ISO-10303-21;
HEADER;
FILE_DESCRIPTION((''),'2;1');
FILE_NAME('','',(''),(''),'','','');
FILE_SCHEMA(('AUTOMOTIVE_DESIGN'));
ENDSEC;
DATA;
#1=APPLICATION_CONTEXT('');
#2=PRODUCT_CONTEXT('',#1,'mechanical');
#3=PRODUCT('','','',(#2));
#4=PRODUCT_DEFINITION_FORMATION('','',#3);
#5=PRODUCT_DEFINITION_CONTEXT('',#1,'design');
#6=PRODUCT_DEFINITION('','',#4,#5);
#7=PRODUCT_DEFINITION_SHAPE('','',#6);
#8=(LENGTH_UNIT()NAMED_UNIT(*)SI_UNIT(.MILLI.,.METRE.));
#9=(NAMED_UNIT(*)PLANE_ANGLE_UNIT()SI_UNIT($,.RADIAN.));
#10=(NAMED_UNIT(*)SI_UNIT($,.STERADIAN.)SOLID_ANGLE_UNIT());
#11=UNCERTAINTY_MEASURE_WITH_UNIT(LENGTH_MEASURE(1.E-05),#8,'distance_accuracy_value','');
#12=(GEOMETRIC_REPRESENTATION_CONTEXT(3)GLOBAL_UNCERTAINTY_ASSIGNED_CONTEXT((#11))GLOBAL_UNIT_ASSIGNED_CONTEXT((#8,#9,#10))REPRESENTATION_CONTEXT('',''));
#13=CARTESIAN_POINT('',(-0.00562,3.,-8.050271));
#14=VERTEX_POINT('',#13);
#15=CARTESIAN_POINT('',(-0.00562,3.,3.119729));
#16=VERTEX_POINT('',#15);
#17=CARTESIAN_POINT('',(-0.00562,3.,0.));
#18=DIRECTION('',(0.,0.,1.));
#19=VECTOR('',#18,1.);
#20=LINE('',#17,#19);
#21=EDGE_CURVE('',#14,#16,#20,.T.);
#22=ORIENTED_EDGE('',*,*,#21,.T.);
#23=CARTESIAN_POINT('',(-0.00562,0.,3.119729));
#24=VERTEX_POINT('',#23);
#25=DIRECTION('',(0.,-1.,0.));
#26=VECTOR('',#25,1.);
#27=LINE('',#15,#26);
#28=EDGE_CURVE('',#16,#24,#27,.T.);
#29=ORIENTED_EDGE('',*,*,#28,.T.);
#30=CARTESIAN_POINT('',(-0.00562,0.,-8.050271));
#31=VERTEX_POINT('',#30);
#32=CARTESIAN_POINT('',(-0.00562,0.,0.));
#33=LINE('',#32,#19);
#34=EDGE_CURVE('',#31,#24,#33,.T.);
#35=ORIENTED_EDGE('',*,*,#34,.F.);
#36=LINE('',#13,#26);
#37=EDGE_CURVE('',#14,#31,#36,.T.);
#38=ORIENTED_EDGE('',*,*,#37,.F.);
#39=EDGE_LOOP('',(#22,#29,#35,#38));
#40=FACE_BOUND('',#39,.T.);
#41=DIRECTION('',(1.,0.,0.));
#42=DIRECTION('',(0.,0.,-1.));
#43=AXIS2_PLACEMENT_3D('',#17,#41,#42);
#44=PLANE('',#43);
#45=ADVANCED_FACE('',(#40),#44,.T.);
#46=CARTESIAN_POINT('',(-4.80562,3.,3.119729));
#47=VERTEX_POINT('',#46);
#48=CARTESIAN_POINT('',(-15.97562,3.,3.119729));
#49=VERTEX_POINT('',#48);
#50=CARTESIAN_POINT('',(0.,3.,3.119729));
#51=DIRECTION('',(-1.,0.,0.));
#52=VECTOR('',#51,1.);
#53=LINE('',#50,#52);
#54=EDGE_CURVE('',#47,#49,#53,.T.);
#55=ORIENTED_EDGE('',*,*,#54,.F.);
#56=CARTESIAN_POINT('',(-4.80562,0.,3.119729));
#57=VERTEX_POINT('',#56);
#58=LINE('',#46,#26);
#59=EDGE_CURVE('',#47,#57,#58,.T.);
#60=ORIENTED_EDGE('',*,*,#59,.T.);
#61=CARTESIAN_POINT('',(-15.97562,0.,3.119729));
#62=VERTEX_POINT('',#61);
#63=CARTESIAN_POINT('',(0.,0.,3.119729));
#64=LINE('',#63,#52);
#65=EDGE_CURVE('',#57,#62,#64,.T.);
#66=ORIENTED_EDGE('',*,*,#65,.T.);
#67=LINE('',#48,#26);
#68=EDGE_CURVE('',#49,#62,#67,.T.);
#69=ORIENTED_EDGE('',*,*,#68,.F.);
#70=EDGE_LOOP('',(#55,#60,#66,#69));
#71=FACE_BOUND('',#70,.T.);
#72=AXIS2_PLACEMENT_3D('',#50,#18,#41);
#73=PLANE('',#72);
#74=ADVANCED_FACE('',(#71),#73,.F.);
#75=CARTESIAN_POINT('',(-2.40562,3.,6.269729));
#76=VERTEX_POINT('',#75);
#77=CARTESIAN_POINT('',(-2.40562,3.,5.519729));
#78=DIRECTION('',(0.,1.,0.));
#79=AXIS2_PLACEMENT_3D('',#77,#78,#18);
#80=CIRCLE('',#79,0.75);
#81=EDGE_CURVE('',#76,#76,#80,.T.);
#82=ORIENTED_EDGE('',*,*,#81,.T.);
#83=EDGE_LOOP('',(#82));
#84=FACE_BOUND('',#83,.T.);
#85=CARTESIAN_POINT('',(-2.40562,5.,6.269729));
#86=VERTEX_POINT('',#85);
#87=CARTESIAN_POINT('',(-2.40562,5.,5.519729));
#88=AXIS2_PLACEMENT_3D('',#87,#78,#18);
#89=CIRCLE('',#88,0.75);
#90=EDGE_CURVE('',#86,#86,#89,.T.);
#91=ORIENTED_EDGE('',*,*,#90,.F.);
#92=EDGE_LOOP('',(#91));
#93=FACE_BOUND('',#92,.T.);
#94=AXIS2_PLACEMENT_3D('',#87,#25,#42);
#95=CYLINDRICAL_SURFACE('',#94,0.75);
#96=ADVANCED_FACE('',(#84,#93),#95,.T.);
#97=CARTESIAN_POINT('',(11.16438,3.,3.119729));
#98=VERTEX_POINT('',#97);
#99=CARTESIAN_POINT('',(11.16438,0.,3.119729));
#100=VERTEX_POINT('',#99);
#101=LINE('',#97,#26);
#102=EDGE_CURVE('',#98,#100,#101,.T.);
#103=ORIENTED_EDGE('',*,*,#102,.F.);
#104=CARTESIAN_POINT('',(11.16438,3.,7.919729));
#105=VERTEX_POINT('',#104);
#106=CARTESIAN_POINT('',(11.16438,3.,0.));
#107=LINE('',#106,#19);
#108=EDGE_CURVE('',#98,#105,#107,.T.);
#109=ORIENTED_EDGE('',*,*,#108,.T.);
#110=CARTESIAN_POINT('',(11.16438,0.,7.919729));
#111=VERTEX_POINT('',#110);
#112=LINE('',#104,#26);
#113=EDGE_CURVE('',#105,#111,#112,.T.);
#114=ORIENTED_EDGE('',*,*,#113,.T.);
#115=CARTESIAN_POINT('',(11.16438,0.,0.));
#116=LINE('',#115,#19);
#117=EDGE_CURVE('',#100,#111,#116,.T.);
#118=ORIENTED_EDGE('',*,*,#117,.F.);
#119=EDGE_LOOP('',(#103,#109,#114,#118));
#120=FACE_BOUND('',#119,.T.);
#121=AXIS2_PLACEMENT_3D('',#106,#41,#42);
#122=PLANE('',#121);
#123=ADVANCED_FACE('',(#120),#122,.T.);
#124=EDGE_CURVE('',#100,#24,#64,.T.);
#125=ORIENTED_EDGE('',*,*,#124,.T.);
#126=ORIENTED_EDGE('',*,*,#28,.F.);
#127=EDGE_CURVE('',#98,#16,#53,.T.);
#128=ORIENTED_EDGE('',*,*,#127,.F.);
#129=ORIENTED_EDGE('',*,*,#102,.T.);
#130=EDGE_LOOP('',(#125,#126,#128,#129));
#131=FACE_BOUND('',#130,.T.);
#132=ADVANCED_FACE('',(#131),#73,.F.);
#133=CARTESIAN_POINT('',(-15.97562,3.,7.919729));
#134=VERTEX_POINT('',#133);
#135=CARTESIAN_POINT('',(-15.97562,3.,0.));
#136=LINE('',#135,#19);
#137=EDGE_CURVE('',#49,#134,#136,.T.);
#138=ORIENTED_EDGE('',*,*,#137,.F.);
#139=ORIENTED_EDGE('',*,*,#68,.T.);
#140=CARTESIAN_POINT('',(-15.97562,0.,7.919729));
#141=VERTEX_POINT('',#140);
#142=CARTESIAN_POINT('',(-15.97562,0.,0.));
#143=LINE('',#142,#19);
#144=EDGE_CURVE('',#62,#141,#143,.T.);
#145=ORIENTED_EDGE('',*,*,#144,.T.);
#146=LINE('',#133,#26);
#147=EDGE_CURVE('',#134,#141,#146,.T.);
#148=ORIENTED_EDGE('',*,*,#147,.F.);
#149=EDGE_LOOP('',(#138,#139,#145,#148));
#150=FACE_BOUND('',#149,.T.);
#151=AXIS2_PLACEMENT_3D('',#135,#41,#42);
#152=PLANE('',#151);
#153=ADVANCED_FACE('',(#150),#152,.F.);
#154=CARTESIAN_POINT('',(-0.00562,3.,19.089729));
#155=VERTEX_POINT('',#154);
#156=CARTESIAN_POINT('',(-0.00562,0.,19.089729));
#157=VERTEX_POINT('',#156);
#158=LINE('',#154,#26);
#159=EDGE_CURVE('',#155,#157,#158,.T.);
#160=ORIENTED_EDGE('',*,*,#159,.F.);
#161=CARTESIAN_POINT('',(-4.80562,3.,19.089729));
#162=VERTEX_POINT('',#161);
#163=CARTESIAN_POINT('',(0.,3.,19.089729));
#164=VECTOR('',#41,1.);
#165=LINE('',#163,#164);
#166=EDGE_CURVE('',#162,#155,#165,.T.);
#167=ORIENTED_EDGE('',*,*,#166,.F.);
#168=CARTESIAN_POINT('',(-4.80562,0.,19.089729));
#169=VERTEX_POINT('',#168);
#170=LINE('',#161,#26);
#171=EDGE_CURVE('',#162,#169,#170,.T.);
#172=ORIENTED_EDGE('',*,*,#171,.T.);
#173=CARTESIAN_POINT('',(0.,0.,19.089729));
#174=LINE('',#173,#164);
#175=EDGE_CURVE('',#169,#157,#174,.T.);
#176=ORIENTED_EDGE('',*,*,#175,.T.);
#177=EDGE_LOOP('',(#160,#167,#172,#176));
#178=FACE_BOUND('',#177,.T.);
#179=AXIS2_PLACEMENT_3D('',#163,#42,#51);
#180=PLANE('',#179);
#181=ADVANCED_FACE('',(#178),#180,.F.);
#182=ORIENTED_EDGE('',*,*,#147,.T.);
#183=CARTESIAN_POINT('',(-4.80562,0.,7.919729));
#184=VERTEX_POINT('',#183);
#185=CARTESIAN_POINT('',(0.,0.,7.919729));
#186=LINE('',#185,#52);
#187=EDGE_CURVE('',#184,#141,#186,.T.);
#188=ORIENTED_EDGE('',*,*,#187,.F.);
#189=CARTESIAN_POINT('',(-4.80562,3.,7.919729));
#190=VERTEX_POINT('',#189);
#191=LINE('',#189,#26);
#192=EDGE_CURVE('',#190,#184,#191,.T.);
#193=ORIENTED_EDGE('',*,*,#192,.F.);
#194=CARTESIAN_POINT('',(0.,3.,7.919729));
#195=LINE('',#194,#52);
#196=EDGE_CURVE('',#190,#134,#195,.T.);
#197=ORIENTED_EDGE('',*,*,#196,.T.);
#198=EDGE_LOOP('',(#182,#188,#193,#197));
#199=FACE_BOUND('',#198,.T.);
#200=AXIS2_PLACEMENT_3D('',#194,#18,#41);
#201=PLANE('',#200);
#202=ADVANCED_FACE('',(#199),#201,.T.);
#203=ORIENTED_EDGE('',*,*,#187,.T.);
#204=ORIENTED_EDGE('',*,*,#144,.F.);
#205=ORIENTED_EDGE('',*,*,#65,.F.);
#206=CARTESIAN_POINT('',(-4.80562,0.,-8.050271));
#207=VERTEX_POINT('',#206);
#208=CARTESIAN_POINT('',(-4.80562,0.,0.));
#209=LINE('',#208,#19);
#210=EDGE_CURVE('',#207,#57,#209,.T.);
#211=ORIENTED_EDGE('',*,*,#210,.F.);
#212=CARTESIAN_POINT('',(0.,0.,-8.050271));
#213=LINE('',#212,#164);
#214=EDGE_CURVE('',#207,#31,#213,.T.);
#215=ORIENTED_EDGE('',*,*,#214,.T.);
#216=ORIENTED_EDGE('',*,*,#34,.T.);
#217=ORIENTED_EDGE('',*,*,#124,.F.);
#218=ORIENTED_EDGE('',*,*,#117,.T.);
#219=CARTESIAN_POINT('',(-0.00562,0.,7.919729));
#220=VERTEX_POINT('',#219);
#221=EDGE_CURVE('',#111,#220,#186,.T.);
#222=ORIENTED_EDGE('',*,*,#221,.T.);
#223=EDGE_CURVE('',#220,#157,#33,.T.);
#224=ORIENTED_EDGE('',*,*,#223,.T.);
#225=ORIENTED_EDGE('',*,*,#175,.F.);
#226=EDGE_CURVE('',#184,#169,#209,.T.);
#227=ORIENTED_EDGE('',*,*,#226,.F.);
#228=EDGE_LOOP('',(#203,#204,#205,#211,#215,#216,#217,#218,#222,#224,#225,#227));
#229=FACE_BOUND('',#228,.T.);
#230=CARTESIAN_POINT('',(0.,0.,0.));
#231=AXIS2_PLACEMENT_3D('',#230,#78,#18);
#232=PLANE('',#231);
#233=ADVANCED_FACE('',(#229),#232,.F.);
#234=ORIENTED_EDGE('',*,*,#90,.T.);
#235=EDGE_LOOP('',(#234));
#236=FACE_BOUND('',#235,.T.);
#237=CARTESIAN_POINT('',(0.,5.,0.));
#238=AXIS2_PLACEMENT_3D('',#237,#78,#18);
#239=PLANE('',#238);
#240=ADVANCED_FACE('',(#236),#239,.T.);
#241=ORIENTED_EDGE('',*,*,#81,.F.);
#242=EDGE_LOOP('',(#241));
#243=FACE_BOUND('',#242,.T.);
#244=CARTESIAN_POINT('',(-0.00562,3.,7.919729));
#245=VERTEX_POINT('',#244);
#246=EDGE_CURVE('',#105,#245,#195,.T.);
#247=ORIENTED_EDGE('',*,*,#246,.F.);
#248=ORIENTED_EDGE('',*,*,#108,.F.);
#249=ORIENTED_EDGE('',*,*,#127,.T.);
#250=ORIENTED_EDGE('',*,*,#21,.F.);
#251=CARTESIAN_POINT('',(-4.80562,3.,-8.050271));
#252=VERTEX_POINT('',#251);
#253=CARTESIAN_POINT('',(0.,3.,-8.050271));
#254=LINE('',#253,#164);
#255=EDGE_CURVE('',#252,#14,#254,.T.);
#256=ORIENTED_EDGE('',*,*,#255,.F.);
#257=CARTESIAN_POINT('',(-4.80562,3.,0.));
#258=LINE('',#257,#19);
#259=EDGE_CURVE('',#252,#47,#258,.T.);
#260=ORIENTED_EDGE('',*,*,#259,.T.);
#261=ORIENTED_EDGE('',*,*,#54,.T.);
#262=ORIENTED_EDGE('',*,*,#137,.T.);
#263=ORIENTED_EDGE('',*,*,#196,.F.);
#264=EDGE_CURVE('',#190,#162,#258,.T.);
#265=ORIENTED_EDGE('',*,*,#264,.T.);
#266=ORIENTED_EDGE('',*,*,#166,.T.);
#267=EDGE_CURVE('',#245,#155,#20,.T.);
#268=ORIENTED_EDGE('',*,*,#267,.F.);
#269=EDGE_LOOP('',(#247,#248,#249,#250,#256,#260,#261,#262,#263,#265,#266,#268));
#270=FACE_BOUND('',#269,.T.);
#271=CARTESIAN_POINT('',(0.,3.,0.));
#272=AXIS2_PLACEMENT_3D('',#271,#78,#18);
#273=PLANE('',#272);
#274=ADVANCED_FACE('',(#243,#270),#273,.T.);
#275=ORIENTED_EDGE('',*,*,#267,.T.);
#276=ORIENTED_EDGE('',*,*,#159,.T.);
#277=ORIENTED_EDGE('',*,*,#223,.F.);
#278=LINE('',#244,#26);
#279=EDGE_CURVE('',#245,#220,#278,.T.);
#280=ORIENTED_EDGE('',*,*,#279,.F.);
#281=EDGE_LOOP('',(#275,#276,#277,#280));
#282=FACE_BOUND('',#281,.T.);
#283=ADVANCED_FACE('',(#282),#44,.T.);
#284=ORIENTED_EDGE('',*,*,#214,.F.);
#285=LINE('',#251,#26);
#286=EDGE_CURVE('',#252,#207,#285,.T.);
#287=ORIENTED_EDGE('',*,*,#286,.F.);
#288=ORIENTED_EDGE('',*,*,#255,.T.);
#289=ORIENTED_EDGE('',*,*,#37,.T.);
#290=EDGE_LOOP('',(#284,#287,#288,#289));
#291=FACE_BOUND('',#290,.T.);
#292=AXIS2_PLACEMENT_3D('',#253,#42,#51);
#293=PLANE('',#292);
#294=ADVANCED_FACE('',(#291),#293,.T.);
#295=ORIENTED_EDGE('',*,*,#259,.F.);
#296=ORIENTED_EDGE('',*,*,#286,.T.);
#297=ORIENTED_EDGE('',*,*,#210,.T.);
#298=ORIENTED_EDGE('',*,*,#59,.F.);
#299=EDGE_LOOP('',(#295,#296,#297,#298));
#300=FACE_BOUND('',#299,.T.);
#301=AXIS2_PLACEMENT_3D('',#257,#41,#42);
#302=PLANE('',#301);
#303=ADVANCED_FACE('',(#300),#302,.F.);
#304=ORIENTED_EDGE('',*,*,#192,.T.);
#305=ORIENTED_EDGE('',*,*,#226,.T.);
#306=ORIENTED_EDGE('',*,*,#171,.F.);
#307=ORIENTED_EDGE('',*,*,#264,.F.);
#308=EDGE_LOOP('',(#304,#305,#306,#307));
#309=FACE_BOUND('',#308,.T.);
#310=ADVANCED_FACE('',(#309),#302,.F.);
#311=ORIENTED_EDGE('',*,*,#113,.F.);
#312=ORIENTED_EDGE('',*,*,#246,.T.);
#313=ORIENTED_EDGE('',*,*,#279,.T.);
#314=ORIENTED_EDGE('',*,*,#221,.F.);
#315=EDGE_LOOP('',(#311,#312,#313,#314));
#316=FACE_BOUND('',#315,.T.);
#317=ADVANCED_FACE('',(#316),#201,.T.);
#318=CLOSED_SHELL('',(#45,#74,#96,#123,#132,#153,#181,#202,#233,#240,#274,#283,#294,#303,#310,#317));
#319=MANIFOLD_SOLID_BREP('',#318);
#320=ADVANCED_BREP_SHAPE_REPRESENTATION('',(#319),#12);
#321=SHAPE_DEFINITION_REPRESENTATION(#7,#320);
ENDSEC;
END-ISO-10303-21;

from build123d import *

# Parameters (mm, degrees)
SKETCH1_R           = 0.75
BOSS_EXTRUDE1_DEPTH = 5
SKETCH1_3_R         = 0.75
BOSS_EXTRUDE2_DEPTH = 3


with BuildPart() as part:
    # Sketch1 → Boss-Extrude1 (new body)
    with BuildSketch(Plane(origin=(0, 0, 0), x_dir=(1, 0, 0), z_dir=(0, 1, 0))):
        with Locations((-2.405620155, -5.519728682)):
            Circle(SKETCH1_R)
    extrude(amount=BOSS_EXTRUDE1_DEPTH)

    # Sketch1<3> → Boss-Extrude2 (add)
    with BuildSketch(Plane(origin=(0, 0, 0), x_dir=(1, 0, 0), z_dir=(0, 1, 0))):
        Polygon((-0.005620155, 8.050271318), (-4.805620155, 8.050271318), (-4.805620155, -3.119728682), (-15.975620155, -3.119728682), (-15.975620155, -7.919728682), (-4.805620155, -7.919728682), (-4.805620155, -19.089728682), (-0.005620155, -19.089728682), (-0.005620155, -7.919728682), (11.164379845, -7.919728682), (11.164379845, -3.119728682), (-0.005620155, -3.119728682), align=None)
        with Locations((-2.405620155, -5.519728682)):
            Circle(SKETCH1_3_R, mode=Mode.SUBTRACT)
    extrude(amount=BOSS_EXTRUDE2_DEPTH)


solid = part.part
